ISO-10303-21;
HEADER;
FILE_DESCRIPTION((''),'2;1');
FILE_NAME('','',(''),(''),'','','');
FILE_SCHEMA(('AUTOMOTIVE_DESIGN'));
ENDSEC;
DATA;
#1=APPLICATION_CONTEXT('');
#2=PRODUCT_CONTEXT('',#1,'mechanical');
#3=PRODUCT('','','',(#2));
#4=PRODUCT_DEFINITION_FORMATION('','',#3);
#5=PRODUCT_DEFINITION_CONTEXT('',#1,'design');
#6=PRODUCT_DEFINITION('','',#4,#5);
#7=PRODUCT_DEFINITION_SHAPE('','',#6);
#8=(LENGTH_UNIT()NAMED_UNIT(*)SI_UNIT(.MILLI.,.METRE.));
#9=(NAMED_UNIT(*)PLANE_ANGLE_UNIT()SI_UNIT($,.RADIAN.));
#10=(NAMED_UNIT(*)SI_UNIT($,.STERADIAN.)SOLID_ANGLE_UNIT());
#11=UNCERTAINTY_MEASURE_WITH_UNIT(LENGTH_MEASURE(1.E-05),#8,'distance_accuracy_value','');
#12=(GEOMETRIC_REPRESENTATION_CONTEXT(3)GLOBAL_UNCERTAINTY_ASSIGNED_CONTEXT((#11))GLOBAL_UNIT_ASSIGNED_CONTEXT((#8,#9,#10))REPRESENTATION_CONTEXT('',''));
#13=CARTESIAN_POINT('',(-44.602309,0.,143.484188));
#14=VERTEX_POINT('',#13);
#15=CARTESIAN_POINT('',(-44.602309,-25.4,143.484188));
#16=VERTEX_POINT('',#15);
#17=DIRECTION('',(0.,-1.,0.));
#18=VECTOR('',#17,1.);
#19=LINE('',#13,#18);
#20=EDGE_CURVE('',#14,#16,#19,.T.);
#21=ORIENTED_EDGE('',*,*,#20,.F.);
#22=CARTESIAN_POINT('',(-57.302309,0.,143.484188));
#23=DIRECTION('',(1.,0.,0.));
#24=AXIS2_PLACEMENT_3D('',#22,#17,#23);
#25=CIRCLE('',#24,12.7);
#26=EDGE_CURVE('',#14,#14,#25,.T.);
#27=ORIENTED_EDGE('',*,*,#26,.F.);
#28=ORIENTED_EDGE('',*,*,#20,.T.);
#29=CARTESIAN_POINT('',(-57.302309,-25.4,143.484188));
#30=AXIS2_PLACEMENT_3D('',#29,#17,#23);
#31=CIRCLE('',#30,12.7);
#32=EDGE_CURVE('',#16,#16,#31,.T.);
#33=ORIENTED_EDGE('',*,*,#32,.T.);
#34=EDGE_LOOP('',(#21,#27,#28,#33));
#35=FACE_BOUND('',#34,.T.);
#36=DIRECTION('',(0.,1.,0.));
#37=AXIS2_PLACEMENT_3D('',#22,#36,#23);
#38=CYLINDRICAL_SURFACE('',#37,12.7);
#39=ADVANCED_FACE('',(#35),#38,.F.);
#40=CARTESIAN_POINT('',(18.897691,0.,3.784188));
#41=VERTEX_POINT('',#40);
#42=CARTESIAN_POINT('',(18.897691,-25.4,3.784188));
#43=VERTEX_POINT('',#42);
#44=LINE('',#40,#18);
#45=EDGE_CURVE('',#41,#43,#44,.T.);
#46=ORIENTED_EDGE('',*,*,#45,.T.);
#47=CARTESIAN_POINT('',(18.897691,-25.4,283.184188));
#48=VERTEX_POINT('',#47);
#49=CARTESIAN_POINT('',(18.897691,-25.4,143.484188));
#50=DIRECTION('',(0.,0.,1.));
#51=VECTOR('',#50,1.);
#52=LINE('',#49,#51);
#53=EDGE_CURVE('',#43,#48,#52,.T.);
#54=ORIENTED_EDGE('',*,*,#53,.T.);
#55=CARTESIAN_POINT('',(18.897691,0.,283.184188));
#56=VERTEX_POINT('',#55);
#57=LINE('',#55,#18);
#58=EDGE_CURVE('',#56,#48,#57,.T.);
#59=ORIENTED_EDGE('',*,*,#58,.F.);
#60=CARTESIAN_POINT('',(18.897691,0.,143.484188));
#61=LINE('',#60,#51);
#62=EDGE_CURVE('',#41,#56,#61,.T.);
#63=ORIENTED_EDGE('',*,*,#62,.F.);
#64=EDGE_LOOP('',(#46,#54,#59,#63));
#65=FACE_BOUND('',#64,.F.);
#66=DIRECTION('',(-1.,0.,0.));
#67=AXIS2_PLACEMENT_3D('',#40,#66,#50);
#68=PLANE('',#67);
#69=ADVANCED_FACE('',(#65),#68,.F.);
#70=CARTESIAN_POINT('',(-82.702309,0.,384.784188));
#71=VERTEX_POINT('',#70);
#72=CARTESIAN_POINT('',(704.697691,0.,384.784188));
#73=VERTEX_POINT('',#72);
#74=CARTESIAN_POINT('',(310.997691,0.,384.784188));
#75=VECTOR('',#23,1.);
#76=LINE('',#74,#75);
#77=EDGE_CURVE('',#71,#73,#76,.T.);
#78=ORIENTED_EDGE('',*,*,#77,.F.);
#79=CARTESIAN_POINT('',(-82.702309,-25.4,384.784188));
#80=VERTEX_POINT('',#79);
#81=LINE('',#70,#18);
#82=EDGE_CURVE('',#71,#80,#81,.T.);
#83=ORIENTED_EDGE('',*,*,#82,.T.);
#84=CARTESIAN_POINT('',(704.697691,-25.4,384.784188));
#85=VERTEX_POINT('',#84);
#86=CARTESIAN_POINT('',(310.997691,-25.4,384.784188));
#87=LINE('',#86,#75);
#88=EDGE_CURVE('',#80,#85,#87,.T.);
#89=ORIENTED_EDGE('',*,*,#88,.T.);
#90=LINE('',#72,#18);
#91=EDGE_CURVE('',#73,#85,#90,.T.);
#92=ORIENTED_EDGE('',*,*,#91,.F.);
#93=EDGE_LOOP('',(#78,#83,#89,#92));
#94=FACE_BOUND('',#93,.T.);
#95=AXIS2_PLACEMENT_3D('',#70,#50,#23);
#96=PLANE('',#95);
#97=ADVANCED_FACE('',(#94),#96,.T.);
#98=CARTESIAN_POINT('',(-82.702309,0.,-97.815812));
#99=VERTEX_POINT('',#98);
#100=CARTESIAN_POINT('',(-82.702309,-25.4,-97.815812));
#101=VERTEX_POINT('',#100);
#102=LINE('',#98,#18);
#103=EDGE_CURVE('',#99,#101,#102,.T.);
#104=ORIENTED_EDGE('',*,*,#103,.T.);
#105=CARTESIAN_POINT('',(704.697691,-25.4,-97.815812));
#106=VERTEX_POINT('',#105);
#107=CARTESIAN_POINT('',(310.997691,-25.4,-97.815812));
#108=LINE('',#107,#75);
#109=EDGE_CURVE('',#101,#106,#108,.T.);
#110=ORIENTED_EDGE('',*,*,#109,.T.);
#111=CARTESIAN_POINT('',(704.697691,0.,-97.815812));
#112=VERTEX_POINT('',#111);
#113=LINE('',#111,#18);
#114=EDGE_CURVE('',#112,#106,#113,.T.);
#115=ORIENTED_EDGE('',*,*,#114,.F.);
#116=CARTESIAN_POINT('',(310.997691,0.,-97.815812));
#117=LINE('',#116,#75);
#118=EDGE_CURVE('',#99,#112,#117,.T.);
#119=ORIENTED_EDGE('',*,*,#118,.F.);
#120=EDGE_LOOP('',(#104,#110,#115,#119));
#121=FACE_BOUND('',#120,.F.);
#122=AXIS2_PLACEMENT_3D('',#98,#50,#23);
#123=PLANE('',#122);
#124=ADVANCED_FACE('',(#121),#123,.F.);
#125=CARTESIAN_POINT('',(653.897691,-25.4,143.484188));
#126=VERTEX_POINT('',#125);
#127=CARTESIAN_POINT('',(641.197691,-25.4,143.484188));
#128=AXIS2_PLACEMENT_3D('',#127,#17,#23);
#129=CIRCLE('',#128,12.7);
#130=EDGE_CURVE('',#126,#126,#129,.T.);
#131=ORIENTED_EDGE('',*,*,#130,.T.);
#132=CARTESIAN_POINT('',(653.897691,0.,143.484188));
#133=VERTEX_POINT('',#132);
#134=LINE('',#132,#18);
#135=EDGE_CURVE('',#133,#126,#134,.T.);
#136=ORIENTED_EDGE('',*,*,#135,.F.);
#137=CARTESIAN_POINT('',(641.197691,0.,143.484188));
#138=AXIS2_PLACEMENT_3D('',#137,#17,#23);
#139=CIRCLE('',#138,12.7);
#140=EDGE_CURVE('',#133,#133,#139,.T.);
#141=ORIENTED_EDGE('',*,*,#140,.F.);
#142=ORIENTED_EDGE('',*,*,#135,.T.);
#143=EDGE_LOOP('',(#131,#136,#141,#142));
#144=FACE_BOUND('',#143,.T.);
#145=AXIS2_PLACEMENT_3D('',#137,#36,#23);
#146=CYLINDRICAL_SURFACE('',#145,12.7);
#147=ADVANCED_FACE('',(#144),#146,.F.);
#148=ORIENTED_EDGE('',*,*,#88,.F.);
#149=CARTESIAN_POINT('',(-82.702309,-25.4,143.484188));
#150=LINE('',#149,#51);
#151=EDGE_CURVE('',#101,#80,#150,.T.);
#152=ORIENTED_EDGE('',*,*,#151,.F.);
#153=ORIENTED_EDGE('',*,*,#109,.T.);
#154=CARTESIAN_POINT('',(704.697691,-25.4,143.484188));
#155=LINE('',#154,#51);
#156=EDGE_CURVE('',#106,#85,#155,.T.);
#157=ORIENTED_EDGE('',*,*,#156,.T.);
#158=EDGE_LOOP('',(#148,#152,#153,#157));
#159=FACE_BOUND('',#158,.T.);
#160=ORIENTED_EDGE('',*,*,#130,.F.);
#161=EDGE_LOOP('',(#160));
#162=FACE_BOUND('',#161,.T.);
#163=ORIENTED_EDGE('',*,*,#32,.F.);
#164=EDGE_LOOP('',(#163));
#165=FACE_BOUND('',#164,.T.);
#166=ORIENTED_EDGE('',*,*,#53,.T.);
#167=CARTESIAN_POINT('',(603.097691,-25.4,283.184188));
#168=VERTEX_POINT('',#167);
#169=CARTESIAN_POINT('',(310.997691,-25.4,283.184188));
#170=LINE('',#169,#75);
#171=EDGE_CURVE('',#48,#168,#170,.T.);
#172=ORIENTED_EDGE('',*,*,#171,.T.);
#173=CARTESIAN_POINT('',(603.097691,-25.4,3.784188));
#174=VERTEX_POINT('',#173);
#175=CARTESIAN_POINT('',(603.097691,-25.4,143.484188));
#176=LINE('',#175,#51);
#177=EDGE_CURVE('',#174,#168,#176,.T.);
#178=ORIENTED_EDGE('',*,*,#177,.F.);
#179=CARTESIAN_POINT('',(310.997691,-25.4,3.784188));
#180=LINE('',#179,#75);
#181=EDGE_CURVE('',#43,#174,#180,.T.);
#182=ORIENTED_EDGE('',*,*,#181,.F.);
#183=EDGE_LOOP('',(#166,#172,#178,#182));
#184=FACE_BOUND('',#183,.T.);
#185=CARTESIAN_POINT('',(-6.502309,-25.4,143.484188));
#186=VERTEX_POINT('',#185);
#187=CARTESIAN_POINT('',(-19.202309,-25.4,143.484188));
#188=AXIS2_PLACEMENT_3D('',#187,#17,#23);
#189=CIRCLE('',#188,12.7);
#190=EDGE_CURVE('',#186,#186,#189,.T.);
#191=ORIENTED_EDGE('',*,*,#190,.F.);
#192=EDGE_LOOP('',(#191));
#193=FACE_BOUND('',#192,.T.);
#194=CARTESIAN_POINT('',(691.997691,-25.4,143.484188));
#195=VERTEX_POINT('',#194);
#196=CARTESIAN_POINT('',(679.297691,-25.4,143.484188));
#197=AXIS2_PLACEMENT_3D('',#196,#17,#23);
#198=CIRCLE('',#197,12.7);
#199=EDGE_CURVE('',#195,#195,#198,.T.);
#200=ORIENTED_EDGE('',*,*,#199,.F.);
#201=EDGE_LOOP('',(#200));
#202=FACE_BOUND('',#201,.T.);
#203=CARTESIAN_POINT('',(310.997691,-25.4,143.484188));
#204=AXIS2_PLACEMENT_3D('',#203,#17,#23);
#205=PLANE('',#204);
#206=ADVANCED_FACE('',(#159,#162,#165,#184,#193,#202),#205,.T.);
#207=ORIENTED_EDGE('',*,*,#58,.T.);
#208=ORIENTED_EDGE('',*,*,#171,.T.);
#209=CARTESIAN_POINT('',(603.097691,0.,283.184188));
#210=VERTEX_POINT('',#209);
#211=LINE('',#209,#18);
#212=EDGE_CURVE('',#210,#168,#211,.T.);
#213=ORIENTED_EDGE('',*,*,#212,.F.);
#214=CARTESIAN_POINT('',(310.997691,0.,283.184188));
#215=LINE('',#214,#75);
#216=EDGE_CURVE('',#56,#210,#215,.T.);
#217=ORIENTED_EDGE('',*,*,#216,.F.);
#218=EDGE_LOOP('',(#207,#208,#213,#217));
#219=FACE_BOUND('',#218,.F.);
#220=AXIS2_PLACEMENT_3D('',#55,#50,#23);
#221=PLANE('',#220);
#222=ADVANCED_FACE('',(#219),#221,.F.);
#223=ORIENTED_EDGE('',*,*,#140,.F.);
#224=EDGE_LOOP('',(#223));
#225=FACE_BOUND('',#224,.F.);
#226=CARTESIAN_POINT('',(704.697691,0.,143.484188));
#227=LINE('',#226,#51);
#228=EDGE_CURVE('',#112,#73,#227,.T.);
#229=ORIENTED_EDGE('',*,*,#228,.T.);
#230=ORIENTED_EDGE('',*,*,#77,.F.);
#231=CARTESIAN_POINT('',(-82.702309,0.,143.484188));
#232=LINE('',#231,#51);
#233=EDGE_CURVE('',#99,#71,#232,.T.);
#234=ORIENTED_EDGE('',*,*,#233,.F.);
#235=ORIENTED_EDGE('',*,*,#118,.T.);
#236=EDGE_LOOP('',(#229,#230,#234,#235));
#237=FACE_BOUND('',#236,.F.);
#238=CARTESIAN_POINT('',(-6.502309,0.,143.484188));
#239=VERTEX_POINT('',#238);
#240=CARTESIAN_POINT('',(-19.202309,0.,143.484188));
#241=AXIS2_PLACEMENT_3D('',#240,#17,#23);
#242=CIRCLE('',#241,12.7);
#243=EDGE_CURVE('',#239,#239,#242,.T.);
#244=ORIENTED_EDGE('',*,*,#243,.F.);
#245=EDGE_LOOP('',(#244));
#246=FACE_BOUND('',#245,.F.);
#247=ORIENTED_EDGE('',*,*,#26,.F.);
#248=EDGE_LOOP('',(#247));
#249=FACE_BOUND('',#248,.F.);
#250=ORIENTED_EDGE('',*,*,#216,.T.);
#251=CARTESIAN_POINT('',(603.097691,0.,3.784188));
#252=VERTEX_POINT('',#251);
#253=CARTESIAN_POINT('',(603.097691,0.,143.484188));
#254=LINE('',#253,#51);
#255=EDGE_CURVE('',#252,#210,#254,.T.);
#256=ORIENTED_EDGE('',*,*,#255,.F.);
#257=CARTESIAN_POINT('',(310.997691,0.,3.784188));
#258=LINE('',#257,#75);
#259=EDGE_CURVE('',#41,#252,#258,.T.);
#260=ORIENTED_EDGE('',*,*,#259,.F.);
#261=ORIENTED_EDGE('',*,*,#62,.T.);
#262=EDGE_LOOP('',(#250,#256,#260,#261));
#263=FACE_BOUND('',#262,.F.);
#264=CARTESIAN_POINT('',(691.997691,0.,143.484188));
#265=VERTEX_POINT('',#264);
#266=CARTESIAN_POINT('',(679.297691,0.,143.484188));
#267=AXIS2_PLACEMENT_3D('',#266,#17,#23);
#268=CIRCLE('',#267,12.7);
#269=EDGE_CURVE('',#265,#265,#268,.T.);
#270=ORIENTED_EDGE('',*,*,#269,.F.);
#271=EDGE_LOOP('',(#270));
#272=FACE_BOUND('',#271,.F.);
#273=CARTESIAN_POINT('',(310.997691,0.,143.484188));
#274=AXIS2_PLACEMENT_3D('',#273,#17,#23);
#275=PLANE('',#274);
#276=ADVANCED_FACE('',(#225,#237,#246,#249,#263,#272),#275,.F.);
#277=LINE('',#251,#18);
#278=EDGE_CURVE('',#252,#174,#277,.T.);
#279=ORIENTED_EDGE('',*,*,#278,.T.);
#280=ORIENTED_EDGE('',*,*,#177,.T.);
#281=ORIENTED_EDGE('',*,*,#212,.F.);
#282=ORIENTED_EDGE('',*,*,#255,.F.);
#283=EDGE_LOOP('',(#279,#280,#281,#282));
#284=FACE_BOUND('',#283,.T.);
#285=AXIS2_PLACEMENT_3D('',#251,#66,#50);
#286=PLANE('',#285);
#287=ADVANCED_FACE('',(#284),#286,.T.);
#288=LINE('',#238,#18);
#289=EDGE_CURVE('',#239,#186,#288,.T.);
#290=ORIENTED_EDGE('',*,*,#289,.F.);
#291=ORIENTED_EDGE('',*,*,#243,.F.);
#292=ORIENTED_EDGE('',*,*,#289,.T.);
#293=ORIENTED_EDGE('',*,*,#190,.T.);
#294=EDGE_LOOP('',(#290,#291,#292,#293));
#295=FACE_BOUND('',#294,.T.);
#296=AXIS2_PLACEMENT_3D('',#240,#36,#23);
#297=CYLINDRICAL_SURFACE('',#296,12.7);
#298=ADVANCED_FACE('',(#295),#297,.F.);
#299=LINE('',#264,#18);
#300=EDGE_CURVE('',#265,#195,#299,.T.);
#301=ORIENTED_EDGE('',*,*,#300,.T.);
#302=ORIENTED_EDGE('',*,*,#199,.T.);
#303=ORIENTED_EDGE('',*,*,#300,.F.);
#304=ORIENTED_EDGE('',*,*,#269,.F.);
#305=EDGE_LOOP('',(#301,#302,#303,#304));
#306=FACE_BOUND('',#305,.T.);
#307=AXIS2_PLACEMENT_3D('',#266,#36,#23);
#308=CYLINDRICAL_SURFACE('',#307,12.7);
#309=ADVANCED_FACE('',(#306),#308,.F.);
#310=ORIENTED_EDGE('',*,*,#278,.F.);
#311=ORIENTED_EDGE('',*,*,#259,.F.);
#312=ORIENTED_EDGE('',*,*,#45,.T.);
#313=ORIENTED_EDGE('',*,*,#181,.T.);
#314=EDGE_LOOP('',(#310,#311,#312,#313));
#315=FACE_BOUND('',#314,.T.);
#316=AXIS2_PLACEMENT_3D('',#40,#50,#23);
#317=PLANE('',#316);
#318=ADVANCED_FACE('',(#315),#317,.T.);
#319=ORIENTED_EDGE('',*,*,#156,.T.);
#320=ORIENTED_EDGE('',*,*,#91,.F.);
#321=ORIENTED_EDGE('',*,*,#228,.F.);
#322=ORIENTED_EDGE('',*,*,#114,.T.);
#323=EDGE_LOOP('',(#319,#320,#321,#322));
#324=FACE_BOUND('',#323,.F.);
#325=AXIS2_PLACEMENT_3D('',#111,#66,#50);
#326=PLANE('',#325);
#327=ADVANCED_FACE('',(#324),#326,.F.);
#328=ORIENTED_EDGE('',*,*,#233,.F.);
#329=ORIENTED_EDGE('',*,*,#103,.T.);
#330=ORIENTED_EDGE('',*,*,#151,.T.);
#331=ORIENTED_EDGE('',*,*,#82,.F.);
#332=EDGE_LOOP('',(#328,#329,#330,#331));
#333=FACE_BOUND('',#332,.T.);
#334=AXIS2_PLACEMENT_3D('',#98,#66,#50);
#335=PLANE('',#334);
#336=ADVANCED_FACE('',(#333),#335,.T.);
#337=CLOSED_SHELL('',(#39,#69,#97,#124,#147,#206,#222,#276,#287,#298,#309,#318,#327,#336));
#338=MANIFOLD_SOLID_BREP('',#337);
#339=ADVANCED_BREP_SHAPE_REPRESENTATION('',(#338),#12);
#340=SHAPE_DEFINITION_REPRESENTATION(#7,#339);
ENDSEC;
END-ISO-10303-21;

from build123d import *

# Parameters (mm, degrees)
F0_W     = 787.4
F0_H     = 482.6
F0_R     = 12.7
F0_W_2   = 584.2
F0_H_2   = 279.4
F1_DEPTH = 25.4


with BuildPart() as f1:
    # F0 (on Front) → F1 (new body)
    with BuildSketch(Plane.XZ):
        with Locations((310.997691, 143.484188)):
            Rectangle(F0_W, F0_H)
        with Locations((-57.302309, 143.484188)):
            Circle(F0_R, mode=Mode.SUBTRACT)
        with Locations((-19.202309, 143.484188)):
            Circle(F0_R, mode=Mode.SUBTRACT)
        with Locations((641.197691, 143.484188)):
            Circle(F0_R, mode=Mode.SUBTRACT)
        with Locations((679.297691, 143.484188)):
            Circle(F0_R, mode=Mode.SUBTRACT)
        with Locations((310.997691, 143.484188)):
            Rectangle(F0_W_2, F0_H_2, mode=Mode.SUBTRACT)
    extrude(amount=F1_DEPTH)


solid = f1.part
